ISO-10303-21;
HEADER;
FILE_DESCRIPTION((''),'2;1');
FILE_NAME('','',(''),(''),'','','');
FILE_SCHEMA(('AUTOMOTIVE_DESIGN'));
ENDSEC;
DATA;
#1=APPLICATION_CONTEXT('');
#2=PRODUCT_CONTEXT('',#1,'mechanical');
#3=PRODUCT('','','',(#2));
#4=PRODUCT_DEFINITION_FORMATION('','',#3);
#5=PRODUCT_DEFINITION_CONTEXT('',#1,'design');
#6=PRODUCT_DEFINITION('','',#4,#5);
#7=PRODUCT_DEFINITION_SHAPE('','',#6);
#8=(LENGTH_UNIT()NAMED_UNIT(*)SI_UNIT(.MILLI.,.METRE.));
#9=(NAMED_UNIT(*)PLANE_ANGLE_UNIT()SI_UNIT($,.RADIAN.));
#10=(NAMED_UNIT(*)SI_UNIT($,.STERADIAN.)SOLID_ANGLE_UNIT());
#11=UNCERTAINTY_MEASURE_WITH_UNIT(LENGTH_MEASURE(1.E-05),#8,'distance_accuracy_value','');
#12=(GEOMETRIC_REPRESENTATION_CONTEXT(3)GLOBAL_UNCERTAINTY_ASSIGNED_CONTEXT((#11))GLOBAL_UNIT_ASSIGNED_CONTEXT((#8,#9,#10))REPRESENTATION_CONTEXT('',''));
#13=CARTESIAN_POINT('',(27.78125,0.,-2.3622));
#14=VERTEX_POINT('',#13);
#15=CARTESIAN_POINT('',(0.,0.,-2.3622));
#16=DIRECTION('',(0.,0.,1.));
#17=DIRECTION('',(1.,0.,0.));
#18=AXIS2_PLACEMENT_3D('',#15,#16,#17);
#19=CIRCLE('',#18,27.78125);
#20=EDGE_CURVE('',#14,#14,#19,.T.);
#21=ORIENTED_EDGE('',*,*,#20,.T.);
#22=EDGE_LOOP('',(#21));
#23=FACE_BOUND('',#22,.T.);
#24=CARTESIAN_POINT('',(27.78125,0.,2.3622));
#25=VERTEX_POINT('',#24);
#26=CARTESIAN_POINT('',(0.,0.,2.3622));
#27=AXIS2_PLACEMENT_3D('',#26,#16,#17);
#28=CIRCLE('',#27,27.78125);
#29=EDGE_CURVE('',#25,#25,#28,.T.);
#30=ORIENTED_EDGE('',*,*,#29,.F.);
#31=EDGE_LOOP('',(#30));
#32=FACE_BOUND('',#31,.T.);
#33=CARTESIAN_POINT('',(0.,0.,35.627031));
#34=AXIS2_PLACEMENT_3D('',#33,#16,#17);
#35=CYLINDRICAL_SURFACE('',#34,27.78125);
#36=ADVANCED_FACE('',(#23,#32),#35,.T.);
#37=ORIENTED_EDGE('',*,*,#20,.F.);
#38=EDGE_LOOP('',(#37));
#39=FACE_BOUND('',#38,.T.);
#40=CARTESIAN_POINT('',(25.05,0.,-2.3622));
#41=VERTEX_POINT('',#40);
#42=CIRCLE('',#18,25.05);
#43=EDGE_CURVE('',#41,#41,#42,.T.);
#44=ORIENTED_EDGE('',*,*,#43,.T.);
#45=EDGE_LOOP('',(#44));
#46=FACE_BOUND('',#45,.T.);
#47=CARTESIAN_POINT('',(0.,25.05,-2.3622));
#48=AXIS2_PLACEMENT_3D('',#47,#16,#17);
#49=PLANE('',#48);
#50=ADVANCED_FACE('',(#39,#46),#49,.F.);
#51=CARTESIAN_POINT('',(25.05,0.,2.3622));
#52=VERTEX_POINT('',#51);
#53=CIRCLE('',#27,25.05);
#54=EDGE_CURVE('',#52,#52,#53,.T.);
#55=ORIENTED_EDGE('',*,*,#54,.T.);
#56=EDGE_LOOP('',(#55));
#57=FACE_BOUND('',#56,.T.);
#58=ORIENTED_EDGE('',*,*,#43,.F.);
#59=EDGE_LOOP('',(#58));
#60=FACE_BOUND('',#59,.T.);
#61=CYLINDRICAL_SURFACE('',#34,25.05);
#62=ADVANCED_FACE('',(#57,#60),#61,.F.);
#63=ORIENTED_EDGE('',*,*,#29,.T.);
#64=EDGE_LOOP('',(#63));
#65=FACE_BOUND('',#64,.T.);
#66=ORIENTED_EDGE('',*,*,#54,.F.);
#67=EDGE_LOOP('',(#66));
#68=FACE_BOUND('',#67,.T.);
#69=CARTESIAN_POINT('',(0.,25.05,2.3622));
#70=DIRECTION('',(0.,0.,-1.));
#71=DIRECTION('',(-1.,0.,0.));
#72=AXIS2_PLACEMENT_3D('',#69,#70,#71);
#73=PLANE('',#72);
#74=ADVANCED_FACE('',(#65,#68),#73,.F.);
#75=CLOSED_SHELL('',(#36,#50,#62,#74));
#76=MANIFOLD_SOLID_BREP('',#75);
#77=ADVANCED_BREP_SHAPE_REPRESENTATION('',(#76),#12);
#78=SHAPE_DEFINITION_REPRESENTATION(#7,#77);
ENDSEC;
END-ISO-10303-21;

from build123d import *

# Parameters (mm, degrees)
SKETCH1_W = 4.7244
SKETCH1_H = 2.73125


with BuildPart() as part:
    # Sketch1 → Revolve1 (revolve)
    with BuildSketch(Plane(origin=(0, 0, 0), x_dir=(0, 0, -1), z_dir=(1, 0, 0)), mode=Mode.PRIVATE) as revolve1_sk:
        with Locations((0, 26.415625)):
            Rectangle(SKETCH1_W, SKETCH1_H)
    revolve(revolve1_sk.sketch.rotate(Axis((0, 0, 35.62703085), (0, 0, -1)), 90), axis=Axis((0, 0, 35.62703085), (0, 0, -1)))


solid = part.part
